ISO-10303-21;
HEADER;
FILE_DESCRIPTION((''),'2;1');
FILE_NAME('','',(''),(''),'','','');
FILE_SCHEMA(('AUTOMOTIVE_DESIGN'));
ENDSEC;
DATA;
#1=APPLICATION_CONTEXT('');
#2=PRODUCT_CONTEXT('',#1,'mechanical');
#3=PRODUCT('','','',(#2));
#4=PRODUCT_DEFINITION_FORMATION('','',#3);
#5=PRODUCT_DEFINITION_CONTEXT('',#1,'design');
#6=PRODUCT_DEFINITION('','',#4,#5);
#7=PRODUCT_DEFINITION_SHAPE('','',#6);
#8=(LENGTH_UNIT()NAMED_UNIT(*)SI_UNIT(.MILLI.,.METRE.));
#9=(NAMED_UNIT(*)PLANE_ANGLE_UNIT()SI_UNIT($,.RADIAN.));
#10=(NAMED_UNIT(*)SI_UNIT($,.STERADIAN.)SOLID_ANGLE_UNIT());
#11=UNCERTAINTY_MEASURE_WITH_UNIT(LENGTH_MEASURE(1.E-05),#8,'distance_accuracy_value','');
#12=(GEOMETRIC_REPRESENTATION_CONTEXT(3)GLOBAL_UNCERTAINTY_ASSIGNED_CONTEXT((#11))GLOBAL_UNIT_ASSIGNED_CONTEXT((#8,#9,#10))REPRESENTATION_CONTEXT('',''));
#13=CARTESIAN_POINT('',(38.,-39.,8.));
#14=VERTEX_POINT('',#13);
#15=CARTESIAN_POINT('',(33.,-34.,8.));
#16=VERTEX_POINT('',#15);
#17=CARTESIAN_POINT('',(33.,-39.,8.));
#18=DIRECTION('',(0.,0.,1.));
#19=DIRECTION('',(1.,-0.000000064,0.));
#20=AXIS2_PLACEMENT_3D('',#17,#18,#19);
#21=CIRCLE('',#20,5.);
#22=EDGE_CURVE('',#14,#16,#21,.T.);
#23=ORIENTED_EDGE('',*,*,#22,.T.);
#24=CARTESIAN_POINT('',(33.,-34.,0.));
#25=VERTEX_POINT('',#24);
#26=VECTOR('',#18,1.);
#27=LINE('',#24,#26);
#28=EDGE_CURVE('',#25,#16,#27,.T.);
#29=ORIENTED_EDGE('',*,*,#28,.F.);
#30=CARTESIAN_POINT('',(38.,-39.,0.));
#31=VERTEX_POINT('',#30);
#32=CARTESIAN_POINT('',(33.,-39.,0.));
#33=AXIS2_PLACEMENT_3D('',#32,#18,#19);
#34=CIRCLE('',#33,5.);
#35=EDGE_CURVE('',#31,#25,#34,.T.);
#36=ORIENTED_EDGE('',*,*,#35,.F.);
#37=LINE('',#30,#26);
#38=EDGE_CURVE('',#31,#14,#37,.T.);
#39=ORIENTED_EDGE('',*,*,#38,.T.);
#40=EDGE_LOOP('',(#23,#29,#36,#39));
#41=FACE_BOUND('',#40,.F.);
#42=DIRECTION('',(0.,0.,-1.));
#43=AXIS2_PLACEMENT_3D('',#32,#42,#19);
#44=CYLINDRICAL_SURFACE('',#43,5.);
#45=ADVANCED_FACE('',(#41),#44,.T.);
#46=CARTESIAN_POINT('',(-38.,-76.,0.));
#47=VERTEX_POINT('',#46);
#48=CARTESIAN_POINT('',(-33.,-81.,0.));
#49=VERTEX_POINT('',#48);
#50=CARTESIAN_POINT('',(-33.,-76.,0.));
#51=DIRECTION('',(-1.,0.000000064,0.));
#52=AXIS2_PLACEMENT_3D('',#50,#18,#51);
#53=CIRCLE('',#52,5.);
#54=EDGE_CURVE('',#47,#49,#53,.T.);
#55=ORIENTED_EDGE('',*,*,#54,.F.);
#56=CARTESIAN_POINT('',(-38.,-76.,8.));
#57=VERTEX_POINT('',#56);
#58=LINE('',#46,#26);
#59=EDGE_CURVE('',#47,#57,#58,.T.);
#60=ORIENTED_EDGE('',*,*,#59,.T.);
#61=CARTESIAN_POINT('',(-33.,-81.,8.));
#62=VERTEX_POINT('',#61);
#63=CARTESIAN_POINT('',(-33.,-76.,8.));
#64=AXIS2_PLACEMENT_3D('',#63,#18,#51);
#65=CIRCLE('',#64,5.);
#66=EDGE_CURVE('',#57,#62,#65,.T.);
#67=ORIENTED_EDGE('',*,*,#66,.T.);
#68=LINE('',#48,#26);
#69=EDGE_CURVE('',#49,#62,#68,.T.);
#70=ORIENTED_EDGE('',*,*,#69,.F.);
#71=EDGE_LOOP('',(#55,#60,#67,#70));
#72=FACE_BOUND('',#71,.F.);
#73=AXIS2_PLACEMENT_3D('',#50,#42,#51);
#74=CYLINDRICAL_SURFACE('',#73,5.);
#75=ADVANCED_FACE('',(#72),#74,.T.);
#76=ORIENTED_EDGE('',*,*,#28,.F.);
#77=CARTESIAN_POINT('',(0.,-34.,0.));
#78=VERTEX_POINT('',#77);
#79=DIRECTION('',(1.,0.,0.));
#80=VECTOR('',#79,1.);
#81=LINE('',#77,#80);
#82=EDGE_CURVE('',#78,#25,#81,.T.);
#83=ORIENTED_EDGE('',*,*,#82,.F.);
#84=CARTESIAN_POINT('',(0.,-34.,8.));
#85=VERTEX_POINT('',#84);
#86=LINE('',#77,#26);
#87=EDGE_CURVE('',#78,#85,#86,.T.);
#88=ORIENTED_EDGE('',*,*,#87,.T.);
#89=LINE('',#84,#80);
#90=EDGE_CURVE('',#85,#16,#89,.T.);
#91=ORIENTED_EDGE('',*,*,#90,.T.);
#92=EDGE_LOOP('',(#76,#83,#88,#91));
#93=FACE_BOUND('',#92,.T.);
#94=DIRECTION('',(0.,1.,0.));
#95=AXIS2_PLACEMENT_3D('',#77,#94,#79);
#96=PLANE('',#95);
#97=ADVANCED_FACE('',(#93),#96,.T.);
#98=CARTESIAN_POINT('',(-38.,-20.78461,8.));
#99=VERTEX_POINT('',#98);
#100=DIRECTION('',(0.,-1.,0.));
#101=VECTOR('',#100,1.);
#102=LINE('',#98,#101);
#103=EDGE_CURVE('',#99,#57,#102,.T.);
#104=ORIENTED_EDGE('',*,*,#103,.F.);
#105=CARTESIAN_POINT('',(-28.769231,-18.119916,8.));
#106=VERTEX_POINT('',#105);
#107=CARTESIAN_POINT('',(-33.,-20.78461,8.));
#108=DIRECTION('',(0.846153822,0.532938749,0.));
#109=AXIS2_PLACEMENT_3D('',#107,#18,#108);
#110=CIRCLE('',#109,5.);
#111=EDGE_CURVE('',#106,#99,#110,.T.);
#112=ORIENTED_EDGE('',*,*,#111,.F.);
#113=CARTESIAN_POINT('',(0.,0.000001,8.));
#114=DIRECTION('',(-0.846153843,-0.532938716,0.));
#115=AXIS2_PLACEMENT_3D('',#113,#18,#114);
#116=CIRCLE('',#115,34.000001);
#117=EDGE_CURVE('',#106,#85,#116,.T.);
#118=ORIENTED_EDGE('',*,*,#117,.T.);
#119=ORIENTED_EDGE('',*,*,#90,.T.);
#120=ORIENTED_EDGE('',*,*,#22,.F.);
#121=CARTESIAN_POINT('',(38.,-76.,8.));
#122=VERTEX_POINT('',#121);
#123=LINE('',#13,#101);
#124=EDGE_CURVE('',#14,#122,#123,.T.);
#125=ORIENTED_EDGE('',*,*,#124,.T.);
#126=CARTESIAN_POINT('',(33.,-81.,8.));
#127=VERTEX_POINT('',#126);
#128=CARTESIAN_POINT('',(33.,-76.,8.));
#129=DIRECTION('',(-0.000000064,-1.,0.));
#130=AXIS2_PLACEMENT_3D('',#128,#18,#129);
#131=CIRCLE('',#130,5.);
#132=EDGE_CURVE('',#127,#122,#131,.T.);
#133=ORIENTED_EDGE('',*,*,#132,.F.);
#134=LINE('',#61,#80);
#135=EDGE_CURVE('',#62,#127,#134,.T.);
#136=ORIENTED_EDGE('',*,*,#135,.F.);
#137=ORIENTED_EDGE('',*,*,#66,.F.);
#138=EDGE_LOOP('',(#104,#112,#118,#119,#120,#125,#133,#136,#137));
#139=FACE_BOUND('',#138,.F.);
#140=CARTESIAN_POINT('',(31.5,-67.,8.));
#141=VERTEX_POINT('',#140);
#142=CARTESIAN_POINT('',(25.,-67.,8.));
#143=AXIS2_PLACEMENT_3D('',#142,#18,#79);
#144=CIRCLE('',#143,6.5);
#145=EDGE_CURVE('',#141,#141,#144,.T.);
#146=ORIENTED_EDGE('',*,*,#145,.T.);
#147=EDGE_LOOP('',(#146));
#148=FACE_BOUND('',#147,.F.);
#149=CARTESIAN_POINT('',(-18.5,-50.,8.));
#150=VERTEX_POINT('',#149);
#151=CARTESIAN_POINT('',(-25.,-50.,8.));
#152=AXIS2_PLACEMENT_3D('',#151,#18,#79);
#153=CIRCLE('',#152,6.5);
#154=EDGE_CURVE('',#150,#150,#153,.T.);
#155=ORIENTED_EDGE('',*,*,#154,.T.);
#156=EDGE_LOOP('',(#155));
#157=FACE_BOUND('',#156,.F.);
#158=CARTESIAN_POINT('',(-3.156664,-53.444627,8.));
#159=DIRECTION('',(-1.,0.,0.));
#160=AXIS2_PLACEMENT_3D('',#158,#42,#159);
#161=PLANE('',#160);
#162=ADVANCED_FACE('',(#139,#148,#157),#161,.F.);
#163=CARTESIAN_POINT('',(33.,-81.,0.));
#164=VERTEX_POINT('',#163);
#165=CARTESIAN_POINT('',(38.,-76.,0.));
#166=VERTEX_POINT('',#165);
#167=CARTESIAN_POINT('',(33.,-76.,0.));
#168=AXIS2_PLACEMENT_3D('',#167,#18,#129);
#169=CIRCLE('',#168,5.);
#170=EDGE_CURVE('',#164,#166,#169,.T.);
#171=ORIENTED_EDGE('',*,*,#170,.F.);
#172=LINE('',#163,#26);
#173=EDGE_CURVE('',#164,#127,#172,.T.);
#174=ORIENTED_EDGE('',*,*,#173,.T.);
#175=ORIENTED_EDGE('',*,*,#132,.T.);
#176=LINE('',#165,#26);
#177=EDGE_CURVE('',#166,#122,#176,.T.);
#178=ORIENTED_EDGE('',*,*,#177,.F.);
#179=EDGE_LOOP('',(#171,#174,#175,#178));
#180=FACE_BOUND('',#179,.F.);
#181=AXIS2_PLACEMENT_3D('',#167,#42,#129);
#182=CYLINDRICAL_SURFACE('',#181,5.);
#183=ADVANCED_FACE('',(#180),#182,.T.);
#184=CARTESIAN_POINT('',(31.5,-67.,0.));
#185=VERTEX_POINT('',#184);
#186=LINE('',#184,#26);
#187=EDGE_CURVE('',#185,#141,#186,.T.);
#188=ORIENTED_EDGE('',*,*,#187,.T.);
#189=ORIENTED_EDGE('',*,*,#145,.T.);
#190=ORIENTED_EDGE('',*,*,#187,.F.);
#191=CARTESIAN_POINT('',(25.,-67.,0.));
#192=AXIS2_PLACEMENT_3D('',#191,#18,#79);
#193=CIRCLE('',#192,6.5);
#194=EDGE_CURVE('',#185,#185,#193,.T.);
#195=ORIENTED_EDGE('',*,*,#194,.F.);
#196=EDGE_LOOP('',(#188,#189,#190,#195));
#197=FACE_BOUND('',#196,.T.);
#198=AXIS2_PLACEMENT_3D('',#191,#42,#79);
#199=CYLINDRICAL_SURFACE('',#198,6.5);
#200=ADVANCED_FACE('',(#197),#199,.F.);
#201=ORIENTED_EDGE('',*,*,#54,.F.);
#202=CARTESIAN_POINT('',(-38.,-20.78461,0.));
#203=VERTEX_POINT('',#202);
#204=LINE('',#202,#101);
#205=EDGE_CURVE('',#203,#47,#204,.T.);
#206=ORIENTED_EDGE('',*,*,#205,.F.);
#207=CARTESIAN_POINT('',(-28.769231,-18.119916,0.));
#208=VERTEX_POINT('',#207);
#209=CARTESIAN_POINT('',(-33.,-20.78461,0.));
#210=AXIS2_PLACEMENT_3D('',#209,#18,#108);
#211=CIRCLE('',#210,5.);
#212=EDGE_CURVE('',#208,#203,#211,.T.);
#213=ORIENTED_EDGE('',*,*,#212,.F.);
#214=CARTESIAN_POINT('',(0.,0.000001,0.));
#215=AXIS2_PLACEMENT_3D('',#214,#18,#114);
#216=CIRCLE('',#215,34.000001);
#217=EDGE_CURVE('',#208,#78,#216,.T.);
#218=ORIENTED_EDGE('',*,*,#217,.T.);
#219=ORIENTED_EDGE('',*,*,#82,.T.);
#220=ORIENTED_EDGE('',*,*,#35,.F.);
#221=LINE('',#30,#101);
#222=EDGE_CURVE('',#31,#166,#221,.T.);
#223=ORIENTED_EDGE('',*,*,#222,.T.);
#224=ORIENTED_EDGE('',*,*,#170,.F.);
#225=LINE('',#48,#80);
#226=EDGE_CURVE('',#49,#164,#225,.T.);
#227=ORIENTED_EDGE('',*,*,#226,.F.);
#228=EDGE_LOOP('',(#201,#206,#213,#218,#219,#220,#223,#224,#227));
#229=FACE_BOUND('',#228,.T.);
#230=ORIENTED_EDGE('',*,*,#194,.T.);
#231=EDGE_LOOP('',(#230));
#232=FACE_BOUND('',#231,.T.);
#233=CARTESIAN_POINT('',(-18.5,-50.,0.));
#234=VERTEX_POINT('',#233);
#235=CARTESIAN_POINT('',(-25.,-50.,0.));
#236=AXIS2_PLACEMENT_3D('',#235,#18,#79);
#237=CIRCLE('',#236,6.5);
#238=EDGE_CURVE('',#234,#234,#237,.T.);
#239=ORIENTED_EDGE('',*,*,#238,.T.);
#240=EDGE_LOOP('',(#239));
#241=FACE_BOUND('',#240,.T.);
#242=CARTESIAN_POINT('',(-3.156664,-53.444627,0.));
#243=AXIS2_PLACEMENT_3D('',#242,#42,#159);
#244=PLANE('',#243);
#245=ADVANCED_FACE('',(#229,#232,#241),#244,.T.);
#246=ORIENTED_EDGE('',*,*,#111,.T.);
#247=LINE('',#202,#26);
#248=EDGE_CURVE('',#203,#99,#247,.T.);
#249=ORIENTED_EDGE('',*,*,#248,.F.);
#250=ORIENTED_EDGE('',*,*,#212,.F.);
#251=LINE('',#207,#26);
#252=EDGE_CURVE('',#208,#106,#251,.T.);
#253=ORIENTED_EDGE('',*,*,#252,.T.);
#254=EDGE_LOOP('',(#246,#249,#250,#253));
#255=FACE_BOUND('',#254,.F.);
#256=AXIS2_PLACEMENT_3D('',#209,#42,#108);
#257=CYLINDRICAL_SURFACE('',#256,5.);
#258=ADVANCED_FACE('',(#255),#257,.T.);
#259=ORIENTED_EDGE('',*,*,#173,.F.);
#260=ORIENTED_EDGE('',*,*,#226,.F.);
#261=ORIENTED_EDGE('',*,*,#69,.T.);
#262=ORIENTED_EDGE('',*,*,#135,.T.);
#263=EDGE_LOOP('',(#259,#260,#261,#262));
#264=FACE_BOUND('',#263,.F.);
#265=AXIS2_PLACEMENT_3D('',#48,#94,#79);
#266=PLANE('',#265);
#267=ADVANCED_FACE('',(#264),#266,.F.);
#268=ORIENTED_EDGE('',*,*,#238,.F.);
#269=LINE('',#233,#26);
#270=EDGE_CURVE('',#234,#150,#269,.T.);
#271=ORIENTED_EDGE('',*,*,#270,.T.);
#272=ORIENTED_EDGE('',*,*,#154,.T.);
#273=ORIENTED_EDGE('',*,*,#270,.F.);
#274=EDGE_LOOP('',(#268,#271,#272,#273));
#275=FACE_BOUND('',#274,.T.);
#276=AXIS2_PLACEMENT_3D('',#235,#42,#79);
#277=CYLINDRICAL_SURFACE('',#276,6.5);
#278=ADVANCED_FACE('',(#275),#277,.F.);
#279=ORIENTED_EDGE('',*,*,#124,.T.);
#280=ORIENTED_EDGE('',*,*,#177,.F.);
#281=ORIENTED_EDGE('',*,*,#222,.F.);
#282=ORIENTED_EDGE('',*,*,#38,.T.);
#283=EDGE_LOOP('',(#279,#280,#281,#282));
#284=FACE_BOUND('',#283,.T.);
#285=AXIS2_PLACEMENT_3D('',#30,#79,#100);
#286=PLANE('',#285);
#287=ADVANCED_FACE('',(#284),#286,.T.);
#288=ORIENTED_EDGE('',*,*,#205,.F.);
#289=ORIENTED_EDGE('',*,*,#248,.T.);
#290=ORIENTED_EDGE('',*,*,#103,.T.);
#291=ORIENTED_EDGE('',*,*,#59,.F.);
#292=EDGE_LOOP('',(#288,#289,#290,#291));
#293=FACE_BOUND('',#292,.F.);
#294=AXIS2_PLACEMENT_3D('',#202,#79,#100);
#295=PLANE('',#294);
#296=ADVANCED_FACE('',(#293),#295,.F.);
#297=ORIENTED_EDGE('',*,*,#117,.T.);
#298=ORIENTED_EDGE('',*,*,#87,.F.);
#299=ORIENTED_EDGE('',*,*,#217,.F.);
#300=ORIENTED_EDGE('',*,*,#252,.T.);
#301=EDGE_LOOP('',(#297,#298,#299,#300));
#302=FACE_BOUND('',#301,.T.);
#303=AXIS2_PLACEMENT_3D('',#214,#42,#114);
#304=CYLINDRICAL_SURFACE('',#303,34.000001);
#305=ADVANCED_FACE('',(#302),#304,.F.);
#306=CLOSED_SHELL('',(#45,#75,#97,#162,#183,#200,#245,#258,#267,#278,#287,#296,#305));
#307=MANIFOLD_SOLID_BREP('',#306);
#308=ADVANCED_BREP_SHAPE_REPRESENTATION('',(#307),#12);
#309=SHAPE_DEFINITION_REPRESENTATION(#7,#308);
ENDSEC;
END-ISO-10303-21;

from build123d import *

# Parameters (mm, degrees)
SKETCH_R  = 6.5
PAD_DEPTH = 8


with BuildPart() as part:
    # Sketch → Pad (new body)
    with BuildSketch(Plane.XY):
        with BuildLine():
            ThreePointArc((-28.769231, -18.119916), (-16.430503, -29.7664), (0, -34))
            Line((0, -34), (33, -34))
            ThreePointArc((38, -39), (36.535534, -35.464466), (33, -34))
            Line((38, -39), (38, -76))
            ThreePointArc((33, -81), (36.535534, -79.535534), (38, -76))
            Line((-33, -81), (33, -81))
            ThreePointArc((-38, -76), (-36.535534, -79.535534), (-33, -81))
            Line((-38, -20.78461), (-38, -76))
            ThreePointArc((-28.769231, -18.119916), (-34.38675, -15.980765), (-38, -20.78461))
        make_face()
        with Locations((-25, -50)):
            Circle(SKETCH_R, mode=Mode.SUBTRACT)
        with Locations((25, -67)):
            Circle(SKETCH_R, mode=Mode.SUBTRACT)
    extrude(amount=PAD_DEPTH)


solid = part.part
